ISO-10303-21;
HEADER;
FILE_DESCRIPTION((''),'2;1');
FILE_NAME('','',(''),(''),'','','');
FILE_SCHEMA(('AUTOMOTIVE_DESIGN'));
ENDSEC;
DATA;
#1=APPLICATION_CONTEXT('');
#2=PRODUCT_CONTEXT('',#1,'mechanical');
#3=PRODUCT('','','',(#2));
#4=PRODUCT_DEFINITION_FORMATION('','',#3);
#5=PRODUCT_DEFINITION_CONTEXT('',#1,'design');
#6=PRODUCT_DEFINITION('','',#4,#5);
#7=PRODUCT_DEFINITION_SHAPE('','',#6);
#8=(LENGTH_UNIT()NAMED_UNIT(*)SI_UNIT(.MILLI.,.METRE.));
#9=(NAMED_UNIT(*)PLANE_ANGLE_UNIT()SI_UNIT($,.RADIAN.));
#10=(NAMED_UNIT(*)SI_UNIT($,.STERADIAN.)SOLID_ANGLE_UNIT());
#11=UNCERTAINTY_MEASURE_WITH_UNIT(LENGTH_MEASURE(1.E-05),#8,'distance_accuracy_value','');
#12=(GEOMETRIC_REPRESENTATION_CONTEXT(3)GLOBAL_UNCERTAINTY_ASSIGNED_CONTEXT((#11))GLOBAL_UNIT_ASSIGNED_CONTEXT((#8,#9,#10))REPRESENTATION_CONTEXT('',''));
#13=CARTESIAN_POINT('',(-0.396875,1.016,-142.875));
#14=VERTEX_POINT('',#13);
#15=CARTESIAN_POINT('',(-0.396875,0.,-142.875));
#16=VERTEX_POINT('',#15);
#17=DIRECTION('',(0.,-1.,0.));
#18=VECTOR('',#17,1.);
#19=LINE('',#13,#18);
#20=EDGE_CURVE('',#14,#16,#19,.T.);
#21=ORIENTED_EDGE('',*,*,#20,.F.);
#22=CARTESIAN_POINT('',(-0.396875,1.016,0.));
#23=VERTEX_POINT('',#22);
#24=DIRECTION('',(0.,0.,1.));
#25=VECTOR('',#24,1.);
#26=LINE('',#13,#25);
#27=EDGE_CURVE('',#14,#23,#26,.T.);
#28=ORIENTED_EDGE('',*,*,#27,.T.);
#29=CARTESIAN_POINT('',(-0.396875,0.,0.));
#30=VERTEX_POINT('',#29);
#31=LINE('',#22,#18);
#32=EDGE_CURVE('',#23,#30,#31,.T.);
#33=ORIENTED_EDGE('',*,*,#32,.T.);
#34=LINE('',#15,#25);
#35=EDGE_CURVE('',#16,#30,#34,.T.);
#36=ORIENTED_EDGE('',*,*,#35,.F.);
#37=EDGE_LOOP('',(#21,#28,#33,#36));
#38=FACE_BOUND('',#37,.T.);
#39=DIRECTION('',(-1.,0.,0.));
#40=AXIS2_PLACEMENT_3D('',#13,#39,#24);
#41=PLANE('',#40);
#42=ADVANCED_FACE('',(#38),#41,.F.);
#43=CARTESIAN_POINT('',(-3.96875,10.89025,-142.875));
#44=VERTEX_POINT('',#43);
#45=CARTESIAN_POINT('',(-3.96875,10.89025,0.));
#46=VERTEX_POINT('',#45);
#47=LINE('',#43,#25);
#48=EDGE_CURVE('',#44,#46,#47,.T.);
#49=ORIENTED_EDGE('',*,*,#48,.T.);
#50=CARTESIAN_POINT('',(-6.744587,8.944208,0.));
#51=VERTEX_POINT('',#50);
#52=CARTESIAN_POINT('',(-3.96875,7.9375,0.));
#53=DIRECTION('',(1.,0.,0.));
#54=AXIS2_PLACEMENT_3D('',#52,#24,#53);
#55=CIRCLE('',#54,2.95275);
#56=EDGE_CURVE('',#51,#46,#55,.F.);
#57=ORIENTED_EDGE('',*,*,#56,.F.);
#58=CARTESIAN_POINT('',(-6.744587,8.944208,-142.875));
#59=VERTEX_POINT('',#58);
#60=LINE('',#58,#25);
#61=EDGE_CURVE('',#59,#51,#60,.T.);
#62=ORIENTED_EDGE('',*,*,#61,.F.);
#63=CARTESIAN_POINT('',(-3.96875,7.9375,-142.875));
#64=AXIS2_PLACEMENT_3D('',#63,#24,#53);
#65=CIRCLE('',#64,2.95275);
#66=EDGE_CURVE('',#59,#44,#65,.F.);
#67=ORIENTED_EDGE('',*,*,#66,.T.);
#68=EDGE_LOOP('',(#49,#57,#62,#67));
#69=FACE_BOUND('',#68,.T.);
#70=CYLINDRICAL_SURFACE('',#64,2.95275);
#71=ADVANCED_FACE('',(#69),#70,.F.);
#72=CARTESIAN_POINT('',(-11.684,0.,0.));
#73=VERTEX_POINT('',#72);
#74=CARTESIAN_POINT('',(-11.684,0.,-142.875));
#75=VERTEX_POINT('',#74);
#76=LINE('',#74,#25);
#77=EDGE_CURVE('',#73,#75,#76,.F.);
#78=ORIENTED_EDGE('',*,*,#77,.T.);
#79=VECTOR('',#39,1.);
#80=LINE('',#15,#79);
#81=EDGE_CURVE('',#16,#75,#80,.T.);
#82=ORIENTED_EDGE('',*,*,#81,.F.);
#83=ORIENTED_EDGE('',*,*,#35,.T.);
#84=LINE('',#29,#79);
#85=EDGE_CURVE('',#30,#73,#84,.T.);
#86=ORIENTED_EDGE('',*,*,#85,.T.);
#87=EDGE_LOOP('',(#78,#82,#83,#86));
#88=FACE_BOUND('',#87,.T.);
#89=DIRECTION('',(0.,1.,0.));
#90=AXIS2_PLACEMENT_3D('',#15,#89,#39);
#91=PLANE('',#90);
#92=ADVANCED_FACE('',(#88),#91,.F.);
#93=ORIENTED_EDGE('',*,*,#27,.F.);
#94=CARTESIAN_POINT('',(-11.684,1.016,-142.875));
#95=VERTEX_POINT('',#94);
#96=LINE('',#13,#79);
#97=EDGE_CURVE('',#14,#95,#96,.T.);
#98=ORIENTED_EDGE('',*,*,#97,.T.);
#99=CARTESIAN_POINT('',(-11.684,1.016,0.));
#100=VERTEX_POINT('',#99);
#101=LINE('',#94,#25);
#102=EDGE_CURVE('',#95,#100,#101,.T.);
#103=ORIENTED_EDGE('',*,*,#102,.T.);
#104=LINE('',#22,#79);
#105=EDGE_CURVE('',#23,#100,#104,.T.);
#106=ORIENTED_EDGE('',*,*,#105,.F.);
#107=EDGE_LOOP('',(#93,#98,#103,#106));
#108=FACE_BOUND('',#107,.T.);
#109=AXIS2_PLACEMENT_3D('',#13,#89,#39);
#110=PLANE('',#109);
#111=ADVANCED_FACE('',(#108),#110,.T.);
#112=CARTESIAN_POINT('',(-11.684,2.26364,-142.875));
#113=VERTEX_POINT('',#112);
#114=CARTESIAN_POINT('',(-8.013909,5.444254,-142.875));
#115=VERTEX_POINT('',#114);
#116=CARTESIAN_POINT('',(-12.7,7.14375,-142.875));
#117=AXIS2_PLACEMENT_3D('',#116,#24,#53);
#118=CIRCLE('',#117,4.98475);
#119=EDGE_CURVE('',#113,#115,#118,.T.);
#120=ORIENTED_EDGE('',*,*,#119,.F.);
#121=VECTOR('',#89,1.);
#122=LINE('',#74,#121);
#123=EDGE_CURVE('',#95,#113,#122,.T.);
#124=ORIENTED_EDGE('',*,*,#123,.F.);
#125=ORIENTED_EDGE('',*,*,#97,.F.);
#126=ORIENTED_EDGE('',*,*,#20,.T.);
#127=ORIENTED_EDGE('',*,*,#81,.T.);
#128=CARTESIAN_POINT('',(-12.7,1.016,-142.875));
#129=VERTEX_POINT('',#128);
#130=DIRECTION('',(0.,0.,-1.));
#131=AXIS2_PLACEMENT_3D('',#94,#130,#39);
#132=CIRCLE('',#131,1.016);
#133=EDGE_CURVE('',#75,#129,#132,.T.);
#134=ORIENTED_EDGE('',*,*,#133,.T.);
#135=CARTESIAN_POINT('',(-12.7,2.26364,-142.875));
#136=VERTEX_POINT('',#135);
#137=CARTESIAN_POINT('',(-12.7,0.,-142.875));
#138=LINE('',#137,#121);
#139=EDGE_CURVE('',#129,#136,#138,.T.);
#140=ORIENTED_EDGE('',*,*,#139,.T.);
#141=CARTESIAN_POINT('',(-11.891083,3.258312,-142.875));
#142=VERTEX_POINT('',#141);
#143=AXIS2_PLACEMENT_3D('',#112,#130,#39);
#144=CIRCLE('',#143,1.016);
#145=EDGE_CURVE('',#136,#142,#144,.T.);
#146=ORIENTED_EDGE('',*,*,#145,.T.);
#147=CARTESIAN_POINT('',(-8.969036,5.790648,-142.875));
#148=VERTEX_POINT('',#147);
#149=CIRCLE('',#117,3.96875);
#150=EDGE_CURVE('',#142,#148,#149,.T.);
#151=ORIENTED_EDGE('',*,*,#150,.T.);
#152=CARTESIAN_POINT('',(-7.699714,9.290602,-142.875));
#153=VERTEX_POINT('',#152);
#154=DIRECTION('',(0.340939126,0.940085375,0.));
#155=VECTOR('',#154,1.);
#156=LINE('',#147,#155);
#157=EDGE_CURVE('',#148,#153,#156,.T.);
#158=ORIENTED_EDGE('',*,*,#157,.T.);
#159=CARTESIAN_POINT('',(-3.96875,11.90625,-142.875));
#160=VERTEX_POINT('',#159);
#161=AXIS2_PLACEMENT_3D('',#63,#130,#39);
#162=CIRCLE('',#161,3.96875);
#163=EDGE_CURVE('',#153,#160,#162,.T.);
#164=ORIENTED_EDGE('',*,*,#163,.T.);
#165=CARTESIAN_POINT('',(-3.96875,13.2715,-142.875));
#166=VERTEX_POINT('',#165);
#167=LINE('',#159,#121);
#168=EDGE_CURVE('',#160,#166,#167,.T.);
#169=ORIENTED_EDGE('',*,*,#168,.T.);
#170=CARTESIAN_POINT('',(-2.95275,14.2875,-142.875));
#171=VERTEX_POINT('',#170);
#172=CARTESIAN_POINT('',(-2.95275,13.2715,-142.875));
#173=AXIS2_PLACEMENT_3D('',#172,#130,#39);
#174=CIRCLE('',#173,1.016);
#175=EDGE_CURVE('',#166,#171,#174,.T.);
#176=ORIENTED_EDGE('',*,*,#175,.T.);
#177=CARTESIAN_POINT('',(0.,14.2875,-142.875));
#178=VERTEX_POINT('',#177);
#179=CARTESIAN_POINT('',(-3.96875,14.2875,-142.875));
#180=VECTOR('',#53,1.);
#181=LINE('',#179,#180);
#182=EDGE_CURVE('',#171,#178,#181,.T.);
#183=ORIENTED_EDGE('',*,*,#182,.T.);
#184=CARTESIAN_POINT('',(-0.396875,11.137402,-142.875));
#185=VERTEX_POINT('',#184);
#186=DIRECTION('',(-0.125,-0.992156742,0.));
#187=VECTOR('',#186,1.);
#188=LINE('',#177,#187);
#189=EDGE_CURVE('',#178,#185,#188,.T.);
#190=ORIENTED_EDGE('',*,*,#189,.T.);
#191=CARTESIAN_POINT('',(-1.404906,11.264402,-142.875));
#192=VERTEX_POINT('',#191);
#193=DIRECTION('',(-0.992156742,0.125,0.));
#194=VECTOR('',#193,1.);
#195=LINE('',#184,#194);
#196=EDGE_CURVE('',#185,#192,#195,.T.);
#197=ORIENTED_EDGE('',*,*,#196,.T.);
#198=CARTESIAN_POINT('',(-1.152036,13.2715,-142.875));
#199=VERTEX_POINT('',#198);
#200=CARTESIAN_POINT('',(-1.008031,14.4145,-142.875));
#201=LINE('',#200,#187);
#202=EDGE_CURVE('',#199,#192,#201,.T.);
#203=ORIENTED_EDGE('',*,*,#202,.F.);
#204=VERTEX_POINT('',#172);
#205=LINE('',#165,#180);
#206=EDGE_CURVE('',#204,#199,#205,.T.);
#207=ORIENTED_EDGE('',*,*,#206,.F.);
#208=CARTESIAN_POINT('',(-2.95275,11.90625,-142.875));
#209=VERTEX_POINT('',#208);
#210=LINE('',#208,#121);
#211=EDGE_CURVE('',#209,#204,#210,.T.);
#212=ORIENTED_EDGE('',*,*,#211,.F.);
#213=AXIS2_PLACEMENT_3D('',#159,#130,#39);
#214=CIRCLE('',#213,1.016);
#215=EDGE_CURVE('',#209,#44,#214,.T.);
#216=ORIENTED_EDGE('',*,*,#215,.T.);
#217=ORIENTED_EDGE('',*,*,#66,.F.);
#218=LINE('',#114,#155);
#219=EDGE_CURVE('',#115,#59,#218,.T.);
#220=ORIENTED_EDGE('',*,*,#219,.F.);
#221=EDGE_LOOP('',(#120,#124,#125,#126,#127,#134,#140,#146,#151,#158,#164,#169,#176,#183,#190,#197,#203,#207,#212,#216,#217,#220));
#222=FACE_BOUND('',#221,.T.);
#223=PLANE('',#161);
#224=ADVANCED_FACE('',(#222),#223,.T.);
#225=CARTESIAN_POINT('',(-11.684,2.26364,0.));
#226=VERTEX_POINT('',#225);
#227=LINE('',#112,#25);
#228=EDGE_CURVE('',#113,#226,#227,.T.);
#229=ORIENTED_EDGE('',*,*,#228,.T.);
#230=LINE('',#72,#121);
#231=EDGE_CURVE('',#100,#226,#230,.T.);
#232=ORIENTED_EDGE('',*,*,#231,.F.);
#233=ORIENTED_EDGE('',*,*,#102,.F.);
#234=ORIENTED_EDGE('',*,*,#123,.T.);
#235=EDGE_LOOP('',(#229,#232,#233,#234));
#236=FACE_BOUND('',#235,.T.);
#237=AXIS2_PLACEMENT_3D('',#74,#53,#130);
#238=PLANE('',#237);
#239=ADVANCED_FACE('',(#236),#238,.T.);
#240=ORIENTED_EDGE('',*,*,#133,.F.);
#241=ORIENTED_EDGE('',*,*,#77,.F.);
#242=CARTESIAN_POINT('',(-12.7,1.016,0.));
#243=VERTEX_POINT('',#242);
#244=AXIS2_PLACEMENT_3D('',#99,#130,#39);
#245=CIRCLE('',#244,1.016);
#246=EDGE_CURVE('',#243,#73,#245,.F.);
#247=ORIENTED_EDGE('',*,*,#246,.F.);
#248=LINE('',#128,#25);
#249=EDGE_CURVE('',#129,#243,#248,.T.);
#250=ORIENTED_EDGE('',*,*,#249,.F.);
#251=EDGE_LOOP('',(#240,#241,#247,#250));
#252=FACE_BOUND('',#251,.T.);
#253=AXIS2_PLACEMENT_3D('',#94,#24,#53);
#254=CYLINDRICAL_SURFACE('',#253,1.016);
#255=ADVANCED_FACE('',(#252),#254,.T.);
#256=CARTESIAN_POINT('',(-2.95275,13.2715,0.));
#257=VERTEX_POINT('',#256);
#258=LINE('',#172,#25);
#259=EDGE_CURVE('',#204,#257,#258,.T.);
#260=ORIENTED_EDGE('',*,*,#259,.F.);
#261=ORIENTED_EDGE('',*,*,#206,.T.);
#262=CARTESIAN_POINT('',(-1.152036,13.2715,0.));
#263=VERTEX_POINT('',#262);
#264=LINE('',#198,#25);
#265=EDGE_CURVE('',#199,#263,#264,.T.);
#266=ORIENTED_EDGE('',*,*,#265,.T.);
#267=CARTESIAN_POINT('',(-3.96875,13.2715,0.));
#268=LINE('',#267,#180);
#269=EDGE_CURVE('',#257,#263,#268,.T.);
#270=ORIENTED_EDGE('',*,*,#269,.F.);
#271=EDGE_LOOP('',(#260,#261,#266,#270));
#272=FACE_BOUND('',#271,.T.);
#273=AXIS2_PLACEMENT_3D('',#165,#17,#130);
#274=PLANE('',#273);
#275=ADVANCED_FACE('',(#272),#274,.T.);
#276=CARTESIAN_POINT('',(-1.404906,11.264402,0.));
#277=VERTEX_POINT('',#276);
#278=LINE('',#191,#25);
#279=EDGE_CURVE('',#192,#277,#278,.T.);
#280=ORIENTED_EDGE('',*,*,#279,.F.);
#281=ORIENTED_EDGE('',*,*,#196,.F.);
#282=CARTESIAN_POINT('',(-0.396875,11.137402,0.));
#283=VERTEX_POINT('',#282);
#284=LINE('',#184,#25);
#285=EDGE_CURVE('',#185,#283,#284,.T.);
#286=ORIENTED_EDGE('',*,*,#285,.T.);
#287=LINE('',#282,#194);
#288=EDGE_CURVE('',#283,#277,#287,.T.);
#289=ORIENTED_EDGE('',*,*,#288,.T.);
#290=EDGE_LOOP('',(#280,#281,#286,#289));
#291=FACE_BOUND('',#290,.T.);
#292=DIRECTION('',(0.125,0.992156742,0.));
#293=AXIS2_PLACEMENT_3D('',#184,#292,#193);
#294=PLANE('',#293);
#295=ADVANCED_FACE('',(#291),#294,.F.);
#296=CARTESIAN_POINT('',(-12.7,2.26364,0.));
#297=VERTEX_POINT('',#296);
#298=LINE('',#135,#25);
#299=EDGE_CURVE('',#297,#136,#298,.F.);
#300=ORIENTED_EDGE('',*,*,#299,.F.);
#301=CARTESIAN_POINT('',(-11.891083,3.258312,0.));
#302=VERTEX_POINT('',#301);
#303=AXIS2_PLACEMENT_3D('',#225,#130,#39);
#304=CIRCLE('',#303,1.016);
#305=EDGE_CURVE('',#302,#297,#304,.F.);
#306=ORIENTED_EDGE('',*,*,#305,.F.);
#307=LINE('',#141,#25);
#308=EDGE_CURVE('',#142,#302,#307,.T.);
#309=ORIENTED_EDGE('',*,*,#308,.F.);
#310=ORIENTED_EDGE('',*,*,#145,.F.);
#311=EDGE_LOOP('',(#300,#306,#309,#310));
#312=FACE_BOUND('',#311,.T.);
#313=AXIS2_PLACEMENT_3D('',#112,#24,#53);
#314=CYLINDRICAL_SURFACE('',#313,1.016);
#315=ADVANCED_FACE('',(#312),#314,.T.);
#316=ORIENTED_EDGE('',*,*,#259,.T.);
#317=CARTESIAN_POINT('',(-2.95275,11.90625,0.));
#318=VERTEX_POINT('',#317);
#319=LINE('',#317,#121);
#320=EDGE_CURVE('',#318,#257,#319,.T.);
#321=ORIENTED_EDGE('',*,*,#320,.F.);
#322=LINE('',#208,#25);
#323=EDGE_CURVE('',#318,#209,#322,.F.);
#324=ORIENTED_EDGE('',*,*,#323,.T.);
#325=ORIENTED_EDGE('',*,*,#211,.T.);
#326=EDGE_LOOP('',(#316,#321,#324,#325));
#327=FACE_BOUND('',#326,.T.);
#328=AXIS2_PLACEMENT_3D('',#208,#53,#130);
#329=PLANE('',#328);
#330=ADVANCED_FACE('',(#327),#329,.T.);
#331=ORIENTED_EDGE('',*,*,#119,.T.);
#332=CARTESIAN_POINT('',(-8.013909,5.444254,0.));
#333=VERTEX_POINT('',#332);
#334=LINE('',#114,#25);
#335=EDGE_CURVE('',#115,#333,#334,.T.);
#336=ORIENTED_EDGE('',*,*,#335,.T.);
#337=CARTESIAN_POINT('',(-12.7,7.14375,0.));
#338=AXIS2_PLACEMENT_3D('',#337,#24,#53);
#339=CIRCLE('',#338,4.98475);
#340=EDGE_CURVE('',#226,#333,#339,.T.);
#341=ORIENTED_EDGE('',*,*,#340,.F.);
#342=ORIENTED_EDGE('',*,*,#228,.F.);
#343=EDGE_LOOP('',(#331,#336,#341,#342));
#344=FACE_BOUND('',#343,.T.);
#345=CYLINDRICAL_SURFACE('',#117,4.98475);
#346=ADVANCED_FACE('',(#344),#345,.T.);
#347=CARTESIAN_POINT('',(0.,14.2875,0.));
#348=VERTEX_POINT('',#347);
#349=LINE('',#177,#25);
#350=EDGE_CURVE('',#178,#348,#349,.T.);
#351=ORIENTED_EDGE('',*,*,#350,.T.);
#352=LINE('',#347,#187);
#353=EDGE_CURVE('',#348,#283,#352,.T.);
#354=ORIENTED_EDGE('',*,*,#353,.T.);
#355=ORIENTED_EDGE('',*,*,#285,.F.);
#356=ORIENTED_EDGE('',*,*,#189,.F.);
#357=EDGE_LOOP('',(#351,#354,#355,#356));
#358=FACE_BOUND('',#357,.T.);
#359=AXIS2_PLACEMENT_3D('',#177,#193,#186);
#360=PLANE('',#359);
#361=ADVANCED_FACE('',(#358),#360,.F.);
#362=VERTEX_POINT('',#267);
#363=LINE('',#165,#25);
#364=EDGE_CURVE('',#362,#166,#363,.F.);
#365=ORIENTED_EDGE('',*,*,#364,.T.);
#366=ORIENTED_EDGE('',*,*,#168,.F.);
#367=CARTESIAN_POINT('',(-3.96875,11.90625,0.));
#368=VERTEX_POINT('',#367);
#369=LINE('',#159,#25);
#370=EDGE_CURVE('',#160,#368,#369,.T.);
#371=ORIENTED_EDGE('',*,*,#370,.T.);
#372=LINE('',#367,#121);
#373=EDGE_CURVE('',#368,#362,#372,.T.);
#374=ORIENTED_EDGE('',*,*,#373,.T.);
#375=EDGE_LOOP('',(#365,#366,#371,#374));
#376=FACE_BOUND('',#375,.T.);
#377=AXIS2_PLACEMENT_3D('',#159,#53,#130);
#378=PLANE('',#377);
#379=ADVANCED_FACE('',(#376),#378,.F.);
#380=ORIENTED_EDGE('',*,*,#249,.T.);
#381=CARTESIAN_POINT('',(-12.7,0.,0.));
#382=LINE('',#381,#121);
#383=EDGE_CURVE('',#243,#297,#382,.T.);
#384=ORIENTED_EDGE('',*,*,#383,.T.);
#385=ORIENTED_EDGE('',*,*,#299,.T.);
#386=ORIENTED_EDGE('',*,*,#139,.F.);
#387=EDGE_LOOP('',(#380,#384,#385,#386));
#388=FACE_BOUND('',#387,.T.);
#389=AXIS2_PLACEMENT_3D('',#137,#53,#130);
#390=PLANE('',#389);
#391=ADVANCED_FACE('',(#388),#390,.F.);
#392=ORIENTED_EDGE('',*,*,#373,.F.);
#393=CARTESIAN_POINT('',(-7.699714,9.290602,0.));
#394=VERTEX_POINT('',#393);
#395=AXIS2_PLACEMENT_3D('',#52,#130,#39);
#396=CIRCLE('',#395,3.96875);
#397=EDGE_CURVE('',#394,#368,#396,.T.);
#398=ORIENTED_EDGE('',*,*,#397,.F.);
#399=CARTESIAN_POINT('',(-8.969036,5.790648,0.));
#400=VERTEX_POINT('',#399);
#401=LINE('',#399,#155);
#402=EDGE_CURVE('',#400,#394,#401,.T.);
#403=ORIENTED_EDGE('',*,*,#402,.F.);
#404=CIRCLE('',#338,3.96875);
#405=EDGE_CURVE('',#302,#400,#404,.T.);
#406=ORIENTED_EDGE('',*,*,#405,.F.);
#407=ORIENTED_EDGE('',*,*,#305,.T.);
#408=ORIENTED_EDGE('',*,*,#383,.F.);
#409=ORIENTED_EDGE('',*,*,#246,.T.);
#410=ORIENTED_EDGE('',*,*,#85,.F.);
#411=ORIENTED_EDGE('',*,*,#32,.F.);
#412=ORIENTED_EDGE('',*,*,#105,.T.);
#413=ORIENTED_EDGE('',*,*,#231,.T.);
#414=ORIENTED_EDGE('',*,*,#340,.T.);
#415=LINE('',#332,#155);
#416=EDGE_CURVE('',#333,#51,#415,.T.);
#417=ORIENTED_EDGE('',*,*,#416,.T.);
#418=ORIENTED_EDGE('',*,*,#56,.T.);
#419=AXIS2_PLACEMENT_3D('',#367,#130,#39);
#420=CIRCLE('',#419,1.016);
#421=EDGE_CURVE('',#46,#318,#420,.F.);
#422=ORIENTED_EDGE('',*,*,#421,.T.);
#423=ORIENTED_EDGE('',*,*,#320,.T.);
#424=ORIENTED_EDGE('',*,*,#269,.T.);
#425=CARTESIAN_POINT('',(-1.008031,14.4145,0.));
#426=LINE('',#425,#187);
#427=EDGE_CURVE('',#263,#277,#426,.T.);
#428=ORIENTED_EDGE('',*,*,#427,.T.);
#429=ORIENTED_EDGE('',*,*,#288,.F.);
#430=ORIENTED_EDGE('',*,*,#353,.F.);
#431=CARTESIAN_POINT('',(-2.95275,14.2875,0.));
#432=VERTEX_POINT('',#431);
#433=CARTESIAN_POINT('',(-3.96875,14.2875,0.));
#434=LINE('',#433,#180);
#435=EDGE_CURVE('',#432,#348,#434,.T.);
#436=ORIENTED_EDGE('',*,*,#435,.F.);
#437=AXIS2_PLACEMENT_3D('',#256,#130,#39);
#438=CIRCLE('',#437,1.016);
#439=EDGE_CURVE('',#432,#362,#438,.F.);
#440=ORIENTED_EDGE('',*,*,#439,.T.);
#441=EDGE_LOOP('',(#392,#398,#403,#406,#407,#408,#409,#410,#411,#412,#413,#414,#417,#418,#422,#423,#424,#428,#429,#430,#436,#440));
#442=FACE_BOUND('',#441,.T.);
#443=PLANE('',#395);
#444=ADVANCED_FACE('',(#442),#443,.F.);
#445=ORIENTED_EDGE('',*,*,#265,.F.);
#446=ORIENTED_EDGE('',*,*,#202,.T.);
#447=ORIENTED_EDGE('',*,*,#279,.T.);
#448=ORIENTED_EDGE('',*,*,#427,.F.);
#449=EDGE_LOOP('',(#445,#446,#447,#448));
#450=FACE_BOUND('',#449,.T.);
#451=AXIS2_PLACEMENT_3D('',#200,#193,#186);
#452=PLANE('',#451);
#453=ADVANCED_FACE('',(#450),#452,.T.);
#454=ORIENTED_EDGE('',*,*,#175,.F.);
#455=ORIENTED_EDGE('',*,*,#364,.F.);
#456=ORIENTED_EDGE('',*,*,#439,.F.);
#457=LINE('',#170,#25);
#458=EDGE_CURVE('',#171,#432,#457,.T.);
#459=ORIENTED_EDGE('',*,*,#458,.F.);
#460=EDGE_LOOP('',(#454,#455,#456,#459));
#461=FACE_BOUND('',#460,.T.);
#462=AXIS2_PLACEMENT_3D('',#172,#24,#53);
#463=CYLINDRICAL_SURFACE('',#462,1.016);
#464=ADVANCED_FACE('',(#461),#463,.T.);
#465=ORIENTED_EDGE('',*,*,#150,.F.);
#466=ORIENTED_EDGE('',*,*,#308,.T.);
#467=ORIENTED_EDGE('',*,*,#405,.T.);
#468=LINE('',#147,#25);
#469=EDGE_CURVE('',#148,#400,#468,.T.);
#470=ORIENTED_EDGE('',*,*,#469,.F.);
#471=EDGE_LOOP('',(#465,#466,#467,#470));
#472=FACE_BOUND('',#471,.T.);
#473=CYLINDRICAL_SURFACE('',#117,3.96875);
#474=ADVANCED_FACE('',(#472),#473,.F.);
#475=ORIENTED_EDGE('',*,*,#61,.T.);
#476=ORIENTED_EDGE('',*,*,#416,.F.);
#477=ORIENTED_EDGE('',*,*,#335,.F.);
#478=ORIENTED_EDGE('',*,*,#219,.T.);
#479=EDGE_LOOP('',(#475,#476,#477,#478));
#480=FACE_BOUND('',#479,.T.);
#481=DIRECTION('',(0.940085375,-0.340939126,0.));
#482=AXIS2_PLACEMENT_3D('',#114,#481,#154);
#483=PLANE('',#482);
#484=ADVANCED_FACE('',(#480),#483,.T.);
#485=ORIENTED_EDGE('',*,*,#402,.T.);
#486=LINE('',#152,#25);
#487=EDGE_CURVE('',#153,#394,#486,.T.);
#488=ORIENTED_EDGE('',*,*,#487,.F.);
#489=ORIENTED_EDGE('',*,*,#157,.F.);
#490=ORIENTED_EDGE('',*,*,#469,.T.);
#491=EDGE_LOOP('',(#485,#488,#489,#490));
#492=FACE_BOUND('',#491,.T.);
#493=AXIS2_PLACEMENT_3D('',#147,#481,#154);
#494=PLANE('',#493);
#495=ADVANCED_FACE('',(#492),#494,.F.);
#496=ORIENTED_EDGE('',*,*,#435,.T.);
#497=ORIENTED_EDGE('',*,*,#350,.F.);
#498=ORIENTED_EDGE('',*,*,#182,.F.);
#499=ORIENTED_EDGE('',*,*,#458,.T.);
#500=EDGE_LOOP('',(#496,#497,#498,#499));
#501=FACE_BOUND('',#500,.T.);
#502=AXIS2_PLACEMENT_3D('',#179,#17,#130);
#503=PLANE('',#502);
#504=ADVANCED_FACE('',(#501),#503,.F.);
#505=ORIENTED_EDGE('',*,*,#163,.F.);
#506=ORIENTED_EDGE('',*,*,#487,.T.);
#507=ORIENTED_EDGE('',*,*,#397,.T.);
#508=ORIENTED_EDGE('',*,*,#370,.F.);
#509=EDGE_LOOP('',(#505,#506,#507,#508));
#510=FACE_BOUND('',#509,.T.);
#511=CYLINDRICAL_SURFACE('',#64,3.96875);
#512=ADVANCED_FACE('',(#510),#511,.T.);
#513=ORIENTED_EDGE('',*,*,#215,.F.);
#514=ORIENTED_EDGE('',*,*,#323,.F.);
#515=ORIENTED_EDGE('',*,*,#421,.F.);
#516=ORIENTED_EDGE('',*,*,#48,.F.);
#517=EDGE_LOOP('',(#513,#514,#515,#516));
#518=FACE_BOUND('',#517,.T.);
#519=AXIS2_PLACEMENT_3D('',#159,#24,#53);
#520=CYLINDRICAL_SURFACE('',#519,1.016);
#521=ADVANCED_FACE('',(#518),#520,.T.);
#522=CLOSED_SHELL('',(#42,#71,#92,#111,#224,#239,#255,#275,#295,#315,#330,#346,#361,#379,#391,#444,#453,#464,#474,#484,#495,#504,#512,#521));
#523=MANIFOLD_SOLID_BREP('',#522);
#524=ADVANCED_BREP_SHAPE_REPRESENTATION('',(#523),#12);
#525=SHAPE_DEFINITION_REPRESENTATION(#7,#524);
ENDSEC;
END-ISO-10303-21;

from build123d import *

# Parameters (mm, degrees)
EXTRUDE_THIN1_DEPTH = 142.875
FILLET1_R           = 1.016


with BuildPart() as part:
    # Sketch1 → Extrude-Thin1 (new body)
    with BuildSketch(Plane.XY):
        with BuildLine():
            Line((-0.396875, 0), (-12.7, 0))
            Line((-12.7, 0), (-12.7, 3.175))
            ThreePointArc((-12.7, 3.175), (-10.421749313, 3.894049957), (-8.969036168, 5.790647844))
            Line((-8.969036168, 5.790647844), (-7.699713832, 9.290602156))
            ThreePointArc((-7.699713832, 9.290602156), (-6.247000687, 11.187200043), (-3.96875, 11.90625))
            Line((-3.96875, 11.90625), (-3.96875, 14.2875))
            Line((-3.96875, 14.2875), (0, 14.2875))
            Line((0, 14.2875), (-0.396875, 11.137402345))
            Line((-0.396875, 11.137402345), (-1.40490625, 11.264402345))
            Line((-1.40490625, 11.264402345), (-1.152035714, 13.2715))
            Line((-1.152035714, 13.2715), (-2.95275, 13.2715))
            Line((-2.95275, 13.2715), (-2.95275, 10.70994956))
            ThreePointArc((-2.95275, 10.70994956), (-5.215232033, 10.614254584), (-6.744587091, 8.944208004))
            Line((-6.744587091, 8.944208004), (-8.013909427, 5.444253692))
            ThreePointArc((-8.013909427, 5.444253692), (-9.435411883, 3.376762213), (-11.684, 2.263639698))
            Line((-11.684, 2.263639698), (-11.684, 1.016))
            Line((-11.684, 1.016), (-0.396875, 1.016))
            Line((-0.396875, 1.016), (-0.396875, 0))
        make_face()
    extrude(amount=-EXTRUDE_THIN1_DEPTH)

    # Fillet1
    fillet1_edges = [part.edges().sort_by_distance(p)[0] for p in [
        (-2.95275, 10.70994956, -71.4375),
        (-12.7, 0, -71.4375),
        (-12.7, 3.175, -71.4375),
        (-3.96875, 14.2875, -71.4375),
    ]]
    fillet(fillet1_edges, radius=FILLET1_R)


solid = part.part
